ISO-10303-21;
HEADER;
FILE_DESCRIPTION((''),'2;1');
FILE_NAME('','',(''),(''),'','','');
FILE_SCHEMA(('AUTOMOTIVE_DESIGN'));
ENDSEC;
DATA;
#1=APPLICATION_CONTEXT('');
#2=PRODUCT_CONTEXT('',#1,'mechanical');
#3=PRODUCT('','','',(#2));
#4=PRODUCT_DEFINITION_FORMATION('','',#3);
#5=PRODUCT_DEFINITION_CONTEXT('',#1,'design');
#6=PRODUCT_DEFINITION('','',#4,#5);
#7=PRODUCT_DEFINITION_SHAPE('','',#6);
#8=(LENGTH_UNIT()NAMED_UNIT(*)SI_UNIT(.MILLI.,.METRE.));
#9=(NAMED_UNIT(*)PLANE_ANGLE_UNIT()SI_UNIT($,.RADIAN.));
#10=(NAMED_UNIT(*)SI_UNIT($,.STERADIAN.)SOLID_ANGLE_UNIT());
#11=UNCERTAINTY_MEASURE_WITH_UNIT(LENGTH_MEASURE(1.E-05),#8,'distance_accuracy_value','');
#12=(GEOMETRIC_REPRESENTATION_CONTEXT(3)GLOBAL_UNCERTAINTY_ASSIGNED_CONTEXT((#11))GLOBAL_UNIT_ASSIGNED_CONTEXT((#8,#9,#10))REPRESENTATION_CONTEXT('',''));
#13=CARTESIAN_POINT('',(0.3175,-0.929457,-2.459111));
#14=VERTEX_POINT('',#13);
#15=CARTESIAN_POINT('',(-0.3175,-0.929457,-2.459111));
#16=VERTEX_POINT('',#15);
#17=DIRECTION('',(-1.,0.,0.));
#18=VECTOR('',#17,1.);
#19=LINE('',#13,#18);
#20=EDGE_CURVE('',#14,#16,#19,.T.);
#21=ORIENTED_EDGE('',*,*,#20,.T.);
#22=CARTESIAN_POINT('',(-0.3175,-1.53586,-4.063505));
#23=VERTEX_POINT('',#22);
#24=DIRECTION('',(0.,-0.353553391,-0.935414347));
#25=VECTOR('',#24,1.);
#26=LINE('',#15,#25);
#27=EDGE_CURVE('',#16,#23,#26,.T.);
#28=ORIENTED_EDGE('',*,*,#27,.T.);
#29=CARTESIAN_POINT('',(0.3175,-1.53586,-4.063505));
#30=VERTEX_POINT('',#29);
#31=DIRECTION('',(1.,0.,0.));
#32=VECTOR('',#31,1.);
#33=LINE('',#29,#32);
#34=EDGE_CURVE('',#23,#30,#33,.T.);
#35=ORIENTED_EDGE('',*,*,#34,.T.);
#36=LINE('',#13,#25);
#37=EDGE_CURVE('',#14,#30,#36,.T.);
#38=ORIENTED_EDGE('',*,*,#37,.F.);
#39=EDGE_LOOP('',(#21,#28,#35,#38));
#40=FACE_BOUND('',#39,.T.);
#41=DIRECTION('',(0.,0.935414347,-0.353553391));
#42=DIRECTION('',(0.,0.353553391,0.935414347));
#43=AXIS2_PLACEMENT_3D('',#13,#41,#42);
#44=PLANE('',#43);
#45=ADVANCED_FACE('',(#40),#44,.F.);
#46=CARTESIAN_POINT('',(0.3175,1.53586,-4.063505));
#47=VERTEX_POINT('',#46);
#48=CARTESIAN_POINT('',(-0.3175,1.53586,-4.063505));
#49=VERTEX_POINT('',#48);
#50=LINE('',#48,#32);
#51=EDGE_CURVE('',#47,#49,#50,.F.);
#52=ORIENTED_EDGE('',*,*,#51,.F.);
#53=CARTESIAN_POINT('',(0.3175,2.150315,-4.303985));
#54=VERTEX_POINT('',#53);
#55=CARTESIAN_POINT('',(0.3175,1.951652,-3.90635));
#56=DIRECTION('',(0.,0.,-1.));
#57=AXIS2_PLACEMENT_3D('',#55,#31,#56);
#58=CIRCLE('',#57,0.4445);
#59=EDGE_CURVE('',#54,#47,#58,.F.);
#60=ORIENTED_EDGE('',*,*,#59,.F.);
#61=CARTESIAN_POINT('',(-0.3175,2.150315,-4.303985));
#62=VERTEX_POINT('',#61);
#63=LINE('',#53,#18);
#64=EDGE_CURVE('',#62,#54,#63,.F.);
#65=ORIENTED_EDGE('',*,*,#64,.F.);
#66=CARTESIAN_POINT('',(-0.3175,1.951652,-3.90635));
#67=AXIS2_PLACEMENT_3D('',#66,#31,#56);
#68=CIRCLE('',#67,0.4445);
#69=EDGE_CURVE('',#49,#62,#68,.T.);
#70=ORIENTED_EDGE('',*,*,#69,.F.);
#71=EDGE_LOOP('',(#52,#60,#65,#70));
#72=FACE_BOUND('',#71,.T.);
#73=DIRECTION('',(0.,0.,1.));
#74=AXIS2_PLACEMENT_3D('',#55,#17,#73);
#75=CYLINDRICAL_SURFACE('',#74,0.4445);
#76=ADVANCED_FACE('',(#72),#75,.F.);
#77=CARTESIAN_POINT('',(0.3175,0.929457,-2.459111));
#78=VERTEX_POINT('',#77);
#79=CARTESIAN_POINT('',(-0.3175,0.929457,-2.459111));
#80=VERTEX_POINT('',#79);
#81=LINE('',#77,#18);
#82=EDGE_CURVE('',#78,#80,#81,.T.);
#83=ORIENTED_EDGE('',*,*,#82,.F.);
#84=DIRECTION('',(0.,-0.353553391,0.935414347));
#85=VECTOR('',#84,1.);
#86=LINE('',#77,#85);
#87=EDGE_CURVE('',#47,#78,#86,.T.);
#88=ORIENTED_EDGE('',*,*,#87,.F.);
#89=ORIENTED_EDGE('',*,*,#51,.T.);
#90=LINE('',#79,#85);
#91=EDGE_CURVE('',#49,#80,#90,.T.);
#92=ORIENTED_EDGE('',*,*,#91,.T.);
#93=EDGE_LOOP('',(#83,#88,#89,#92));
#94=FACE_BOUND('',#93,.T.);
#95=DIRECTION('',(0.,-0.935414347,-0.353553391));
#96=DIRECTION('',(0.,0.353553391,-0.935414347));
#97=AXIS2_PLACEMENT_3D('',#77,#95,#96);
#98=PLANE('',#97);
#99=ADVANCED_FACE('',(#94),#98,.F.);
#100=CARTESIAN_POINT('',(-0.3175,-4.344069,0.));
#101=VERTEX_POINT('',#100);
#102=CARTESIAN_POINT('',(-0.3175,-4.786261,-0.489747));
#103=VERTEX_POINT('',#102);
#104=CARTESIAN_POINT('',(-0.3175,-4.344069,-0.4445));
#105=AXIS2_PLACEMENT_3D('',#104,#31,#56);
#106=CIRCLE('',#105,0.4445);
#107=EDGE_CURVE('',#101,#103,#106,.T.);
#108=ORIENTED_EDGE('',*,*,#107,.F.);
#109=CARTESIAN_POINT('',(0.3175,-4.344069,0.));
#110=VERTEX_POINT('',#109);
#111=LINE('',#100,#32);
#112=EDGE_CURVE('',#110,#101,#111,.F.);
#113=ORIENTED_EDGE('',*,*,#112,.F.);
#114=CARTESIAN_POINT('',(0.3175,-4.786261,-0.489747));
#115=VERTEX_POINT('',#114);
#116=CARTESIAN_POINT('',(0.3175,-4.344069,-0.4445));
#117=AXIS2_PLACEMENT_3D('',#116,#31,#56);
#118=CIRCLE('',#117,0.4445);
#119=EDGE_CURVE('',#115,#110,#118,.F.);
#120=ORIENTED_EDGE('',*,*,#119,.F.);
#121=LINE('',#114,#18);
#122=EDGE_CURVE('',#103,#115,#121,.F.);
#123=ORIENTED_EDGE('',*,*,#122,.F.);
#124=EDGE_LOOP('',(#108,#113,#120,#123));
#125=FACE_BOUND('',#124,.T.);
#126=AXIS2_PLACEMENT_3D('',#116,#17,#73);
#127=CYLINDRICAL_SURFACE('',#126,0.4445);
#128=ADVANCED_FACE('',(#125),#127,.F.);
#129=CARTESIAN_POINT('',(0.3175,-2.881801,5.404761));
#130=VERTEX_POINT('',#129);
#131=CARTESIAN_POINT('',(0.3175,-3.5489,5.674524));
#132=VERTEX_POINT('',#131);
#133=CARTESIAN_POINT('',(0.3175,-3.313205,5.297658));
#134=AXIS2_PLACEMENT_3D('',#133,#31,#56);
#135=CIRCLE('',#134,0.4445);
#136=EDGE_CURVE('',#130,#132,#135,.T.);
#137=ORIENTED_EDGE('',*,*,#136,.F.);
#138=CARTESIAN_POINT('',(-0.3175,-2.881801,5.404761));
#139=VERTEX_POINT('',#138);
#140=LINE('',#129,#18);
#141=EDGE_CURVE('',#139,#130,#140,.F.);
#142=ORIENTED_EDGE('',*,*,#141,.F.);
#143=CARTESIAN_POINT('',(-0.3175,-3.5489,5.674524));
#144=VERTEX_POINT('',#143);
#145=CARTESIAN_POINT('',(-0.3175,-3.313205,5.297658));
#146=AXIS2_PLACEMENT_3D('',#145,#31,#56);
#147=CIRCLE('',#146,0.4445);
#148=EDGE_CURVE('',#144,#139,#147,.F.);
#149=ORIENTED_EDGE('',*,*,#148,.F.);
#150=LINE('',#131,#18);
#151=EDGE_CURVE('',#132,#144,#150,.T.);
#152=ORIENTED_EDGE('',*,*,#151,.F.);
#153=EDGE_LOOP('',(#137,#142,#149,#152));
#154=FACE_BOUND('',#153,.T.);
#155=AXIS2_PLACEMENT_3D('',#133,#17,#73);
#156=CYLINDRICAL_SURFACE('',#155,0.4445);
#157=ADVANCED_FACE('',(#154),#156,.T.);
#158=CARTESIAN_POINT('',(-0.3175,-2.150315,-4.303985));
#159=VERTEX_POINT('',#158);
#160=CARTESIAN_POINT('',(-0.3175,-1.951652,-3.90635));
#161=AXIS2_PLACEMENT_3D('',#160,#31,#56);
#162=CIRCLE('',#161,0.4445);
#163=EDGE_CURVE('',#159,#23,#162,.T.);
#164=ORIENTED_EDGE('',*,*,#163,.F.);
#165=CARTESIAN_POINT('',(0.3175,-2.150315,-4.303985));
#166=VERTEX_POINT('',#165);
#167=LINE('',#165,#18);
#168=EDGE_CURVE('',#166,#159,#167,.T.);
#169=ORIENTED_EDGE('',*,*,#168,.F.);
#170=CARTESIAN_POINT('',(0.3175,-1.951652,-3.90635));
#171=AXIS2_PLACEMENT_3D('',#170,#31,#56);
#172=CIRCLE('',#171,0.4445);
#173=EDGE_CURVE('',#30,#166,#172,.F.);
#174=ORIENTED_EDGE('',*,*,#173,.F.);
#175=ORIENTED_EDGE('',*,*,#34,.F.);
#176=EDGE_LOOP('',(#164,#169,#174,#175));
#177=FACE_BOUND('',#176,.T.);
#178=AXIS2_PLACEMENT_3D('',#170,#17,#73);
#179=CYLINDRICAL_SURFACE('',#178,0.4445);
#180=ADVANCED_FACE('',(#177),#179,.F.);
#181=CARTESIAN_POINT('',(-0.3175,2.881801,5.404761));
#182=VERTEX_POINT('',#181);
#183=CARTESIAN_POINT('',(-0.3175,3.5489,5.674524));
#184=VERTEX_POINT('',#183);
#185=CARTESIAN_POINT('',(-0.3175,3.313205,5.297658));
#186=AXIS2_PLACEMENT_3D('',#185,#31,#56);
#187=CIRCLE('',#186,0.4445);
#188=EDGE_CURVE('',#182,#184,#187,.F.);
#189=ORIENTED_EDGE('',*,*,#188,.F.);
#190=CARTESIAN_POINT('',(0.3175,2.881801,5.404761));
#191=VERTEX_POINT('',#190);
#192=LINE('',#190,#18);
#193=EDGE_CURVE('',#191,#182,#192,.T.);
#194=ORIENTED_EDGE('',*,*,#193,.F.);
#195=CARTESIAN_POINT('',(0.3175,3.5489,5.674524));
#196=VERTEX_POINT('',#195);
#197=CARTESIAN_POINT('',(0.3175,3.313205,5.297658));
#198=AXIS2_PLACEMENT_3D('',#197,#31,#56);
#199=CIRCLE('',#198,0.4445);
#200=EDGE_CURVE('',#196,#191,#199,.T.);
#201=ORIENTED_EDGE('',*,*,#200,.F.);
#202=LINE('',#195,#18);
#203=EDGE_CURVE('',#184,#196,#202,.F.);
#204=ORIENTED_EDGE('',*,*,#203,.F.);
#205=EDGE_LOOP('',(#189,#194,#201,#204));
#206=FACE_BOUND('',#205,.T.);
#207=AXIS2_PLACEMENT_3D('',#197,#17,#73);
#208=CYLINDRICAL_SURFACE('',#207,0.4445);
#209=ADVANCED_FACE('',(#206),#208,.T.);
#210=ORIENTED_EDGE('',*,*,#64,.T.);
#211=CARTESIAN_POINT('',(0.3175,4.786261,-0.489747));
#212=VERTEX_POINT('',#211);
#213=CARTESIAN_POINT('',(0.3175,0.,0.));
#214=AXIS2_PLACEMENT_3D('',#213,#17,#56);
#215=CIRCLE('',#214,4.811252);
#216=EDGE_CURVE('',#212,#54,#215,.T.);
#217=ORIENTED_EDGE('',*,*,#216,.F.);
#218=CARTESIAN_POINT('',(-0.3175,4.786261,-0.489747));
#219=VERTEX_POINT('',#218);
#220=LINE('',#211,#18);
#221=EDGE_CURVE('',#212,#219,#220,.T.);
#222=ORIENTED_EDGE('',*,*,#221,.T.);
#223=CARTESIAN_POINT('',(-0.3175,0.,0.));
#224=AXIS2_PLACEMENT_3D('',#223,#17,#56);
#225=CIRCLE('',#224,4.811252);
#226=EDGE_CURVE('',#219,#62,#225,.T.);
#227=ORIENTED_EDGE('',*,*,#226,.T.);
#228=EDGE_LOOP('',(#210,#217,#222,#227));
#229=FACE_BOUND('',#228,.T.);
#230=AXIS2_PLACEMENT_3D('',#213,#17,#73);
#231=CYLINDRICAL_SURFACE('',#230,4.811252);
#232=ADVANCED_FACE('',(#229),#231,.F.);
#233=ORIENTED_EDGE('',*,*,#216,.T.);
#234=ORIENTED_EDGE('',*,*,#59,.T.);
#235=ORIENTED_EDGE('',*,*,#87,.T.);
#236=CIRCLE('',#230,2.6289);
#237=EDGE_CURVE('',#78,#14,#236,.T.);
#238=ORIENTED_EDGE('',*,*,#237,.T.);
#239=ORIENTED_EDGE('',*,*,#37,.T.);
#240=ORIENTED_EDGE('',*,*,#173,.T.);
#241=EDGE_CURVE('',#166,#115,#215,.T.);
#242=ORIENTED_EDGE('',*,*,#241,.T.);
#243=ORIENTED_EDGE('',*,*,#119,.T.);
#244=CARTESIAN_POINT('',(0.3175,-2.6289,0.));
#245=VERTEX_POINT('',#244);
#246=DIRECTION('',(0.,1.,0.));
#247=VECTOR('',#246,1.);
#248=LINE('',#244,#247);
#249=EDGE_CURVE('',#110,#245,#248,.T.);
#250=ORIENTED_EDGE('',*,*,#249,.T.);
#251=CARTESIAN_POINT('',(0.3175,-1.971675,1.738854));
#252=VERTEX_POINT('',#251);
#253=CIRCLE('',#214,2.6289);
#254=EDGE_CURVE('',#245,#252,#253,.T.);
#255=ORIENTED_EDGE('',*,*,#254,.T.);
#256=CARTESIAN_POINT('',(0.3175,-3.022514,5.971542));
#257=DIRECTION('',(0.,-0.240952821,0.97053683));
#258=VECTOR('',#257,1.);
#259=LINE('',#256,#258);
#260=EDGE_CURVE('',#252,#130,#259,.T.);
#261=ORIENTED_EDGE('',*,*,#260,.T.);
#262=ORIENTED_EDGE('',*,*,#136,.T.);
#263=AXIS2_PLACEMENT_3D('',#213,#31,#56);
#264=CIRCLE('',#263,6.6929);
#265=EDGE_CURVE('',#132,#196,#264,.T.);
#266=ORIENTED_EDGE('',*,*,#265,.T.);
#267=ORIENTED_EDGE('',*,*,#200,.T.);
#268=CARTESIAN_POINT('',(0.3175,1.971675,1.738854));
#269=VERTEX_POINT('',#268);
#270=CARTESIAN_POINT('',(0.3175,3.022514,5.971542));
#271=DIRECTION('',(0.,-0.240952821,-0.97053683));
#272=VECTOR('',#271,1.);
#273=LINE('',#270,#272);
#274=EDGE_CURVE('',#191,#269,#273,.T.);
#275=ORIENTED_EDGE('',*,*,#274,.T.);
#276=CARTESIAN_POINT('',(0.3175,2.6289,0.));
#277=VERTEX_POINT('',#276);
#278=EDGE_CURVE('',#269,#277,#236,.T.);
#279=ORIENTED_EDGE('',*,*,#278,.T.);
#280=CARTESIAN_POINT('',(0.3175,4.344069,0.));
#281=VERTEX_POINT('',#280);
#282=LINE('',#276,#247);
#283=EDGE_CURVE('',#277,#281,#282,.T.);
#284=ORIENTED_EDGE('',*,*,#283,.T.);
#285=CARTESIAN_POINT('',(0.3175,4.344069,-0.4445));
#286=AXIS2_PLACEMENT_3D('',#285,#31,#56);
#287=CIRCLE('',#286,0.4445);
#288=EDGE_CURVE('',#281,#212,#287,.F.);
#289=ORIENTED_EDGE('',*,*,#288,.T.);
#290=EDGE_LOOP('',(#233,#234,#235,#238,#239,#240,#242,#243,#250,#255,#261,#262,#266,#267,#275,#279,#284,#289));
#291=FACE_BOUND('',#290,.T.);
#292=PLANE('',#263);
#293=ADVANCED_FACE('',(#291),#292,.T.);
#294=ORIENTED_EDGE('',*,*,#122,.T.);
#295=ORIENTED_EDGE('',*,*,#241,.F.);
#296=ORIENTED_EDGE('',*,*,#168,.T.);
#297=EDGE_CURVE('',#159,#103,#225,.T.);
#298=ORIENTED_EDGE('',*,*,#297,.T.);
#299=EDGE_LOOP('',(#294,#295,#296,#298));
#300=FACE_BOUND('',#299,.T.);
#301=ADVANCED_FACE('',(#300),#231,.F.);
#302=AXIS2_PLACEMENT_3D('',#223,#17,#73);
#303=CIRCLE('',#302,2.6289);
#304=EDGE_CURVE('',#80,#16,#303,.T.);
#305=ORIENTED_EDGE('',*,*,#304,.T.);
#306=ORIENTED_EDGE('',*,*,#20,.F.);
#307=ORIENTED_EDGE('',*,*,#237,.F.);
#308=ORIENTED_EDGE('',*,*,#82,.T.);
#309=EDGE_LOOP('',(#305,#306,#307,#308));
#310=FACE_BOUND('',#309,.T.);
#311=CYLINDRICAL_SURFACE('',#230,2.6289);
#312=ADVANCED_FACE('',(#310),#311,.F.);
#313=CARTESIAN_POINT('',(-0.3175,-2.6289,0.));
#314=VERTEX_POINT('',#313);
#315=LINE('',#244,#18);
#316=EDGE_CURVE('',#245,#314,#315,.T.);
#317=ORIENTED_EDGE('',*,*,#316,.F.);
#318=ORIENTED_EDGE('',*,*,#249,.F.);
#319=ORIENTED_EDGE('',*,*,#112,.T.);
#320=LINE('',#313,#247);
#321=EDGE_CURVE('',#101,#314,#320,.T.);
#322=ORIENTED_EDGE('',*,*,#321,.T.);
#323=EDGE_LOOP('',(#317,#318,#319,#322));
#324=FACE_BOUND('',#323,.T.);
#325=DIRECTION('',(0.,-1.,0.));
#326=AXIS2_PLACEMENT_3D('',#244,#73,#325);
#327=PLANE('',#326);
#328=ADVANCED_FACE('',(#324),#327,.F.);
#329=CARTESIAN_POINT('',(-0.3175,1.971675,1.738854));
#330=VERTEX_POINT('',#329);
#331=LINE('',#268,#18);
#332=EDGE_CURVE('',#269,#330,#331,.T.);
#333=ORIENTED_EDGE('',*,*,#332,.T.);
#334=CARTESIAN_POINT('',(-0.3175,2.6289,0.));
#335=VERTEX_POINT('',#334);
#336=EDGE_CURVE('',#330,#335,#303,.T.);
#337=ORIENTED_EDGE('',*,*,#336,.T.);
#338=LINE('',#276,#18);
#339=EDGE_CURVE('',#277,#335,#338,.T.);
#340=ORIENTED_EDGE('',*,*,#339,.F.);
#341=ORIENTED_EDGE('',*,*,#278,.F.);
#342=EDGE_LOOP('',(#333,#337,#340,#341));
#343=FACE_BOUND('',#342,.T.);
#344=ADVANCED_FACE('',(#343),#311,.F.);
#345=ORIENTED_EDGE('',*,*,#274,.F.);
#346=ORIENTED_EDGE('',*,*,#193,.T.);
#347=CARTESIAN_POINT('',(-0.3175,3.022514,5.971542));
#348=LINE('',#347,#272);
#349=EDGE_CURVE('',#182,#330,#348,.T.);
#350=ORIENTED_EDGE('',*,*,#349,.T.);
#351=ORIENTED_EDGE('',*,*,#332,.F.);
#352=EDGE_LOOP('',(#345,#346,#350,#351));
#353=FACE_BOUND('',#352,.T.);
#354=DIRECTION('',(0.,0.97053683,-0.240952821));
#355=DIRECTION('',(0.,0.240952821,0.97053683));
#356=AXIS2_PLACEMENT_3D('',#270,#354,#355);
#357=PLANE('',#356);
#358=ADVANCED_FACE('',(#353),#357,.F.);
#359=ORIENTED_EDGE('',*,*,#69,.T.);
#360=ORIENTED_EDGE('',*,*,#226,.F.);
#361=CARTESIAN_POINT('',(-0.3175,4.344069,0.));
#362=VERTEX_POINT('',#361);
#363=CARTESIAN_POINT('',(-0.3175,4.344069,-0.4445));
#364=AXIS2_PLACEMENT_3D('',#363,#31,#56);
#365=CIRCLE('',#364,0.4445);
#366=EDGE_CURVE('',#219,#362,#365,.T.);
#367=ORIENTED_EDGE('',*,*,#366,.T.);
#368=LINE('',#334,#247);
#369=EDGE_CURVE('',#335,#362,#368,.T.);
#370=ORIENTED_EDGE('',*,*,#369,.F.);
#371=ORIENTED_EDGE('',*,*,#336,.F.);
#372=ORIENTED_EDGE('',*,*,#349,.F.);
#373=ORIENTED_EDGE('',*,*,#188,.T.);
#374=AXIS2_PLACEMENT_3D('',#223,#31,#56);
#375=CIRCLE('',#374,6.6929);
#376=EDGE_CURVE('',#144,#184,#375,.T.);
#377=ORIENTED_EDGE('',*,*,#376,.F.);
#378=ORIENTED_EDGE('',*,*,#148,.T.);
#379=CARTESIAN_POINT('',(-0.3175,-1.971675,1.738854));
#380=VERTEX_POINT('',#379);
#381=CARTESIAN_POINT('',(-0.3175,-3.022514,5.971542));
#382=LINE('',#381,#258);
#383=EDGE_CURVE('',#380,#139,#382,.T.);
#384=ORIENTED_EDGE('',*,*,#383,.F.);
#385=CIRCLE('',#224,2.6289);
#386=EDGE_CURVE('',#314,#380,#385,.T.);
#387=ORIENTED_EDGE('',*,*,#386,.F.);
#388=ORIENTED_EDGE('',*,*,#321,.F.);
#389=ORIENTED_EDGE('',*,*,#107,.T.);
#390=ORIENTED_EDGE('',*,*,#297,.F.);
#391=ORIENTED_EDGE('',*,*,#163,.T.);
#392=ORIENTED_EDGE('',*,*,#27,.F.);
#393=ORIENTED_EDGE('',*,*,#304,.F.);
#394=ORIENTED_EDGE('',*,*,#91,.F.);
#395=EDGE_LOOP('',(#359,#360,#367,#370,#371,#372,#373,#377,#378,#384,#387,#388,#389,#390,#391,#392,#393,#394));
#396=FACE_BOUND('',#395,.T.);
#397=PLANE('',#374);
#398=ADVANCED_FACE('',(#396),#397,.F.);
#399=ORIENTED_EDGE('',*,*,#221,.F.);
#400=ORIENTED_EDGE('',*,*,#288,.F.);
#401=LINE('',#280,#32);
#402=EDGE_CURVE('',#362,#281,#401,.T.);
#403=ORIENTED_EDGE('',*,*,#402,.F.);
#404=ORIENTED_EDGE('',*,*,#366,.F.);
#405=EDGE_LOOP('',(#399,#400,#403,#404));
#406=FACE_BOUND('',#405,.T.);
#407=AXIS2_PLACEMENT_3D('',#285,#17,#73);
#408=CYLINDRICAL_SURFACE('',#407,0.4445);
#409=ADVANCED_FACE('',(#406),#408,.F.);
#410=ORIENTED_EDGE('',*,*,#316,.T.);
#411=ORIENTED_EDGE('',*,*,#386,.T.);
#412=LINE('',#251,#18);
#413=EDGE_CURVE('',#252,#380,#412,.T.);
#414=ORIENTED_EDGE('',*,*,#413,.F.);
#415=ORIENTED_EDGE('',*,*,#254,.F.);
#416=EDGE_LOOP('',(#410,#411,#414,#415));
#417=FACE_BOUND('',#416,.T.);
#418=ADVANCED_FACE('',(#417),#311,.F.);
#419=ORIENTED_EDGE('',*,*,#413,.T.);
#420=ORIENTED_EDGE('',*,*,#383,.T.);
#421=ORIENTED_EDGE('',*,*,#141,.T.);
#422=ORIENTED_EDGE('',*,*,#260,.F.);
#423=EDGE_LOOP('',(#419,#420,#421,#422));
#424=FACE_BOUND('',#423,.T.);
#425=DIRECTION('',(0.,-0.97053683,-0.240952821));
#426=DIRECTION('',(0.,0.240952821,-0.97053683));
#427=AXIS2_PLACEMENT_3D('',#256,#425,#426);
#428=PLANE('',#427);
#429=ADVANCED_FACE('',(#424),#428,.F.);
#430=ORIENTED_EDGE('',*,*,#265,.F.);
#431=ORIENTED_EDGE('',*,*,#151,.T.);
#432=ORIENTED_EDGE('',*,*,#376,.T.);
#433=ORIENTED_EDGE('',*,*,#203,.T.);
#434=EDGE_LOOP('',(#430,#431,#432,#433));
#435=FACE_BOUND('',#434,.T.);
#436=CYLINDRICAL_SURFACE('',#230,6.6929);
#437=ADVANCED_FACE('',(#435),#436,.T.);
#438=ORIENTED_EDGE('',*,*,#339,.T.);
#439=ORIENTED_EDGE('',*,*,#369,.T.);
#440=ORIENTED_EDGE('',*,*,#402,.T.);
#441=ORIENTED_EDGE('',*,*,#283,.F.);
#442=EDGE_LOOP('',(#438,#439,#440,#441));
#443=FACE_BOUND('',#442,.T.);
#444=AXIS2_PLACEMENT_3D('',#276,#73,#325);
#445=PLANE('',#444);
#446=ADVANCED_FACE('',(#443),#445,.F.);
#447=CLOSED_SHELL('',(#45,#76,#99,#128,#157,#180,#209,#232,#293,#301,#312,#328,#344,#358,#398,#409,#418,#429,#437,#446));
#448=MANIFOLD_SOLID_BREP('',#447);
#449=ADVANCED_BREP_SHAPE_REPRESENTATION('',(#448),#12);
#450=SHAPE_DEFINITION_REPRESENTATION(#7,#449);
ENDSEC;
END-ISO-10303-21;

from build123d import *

# Parameters (mm, degrees)
EXTRUDE1_DEPTH = 0.3175
FILLET1_R      = 0.4445


with BuildPart() as part:
    # Sketch1 → Extrude1 (new body, symmetric)
    with BuildSketch(Plane(origin=(0, 0, 0), x_dir=(0, 0, -1), z_dir=(1, 0, 0))):
        with BuildLine():
            Line((-5.971542337, -3.022514273), (-1.738853905, -1.971675))
            ThreePointArc((-1.738853905, -1.971675), (-0.929456509, -2.459110776), (0, -2.6289))
            Line((0, -2.6289), (0, -4.811251613))
            ThreePointArc((0, -4.811251613), (2.735327948, -3.958045364), (4.500513784, -1.701034321))
            Line((4.500513784, -1.701034321), (2.459110776, -0.929456509))
            ThreePointArc((2.459110776, -0.929456509), (2.6289, 0), (2.459110776, 0.929456509))
            Line((2.459110776, 0.929456509), (4.500513784, 1.701034321))
            ThreePointArc((4.500513784, 1.701034321), (2.735327948, 3.958045364), (0, 4.811251613))
            Line((0, 4.811251613), (0, 2.6289))
            ThreePointArc((0, 2.6289), (-0.929456509, 2.459110776), (-1.738853905, 1.971675))
            Line((-1.738853905, 1.971675), (-5.971542337, 3.022514273))
            ThreePointArc((-5.971542337, 3.022514273), (6.6929, 0), (-5.971542337, -3.022514273))
        make_face()
    extrude(amount=EXTRUDE1_DEPTH, both=True)

    # Fillet1
    fillet1_edges = [part.edges().sort_by_distance(p)[0] for p in [
        (0, -3.022514273, 5.971542337),
        (0, -4.811251613, 0),
        (0, -1.701034321, -4.500513784),
        (0, 1.701034321, -4.500513784),
        (0, 4.811251613, 0),
        (0, 3.022514273, 5.971542337),
    ]]
    fillet(fillet1_edges, radius=FILLET1_R)


solid = part.part
